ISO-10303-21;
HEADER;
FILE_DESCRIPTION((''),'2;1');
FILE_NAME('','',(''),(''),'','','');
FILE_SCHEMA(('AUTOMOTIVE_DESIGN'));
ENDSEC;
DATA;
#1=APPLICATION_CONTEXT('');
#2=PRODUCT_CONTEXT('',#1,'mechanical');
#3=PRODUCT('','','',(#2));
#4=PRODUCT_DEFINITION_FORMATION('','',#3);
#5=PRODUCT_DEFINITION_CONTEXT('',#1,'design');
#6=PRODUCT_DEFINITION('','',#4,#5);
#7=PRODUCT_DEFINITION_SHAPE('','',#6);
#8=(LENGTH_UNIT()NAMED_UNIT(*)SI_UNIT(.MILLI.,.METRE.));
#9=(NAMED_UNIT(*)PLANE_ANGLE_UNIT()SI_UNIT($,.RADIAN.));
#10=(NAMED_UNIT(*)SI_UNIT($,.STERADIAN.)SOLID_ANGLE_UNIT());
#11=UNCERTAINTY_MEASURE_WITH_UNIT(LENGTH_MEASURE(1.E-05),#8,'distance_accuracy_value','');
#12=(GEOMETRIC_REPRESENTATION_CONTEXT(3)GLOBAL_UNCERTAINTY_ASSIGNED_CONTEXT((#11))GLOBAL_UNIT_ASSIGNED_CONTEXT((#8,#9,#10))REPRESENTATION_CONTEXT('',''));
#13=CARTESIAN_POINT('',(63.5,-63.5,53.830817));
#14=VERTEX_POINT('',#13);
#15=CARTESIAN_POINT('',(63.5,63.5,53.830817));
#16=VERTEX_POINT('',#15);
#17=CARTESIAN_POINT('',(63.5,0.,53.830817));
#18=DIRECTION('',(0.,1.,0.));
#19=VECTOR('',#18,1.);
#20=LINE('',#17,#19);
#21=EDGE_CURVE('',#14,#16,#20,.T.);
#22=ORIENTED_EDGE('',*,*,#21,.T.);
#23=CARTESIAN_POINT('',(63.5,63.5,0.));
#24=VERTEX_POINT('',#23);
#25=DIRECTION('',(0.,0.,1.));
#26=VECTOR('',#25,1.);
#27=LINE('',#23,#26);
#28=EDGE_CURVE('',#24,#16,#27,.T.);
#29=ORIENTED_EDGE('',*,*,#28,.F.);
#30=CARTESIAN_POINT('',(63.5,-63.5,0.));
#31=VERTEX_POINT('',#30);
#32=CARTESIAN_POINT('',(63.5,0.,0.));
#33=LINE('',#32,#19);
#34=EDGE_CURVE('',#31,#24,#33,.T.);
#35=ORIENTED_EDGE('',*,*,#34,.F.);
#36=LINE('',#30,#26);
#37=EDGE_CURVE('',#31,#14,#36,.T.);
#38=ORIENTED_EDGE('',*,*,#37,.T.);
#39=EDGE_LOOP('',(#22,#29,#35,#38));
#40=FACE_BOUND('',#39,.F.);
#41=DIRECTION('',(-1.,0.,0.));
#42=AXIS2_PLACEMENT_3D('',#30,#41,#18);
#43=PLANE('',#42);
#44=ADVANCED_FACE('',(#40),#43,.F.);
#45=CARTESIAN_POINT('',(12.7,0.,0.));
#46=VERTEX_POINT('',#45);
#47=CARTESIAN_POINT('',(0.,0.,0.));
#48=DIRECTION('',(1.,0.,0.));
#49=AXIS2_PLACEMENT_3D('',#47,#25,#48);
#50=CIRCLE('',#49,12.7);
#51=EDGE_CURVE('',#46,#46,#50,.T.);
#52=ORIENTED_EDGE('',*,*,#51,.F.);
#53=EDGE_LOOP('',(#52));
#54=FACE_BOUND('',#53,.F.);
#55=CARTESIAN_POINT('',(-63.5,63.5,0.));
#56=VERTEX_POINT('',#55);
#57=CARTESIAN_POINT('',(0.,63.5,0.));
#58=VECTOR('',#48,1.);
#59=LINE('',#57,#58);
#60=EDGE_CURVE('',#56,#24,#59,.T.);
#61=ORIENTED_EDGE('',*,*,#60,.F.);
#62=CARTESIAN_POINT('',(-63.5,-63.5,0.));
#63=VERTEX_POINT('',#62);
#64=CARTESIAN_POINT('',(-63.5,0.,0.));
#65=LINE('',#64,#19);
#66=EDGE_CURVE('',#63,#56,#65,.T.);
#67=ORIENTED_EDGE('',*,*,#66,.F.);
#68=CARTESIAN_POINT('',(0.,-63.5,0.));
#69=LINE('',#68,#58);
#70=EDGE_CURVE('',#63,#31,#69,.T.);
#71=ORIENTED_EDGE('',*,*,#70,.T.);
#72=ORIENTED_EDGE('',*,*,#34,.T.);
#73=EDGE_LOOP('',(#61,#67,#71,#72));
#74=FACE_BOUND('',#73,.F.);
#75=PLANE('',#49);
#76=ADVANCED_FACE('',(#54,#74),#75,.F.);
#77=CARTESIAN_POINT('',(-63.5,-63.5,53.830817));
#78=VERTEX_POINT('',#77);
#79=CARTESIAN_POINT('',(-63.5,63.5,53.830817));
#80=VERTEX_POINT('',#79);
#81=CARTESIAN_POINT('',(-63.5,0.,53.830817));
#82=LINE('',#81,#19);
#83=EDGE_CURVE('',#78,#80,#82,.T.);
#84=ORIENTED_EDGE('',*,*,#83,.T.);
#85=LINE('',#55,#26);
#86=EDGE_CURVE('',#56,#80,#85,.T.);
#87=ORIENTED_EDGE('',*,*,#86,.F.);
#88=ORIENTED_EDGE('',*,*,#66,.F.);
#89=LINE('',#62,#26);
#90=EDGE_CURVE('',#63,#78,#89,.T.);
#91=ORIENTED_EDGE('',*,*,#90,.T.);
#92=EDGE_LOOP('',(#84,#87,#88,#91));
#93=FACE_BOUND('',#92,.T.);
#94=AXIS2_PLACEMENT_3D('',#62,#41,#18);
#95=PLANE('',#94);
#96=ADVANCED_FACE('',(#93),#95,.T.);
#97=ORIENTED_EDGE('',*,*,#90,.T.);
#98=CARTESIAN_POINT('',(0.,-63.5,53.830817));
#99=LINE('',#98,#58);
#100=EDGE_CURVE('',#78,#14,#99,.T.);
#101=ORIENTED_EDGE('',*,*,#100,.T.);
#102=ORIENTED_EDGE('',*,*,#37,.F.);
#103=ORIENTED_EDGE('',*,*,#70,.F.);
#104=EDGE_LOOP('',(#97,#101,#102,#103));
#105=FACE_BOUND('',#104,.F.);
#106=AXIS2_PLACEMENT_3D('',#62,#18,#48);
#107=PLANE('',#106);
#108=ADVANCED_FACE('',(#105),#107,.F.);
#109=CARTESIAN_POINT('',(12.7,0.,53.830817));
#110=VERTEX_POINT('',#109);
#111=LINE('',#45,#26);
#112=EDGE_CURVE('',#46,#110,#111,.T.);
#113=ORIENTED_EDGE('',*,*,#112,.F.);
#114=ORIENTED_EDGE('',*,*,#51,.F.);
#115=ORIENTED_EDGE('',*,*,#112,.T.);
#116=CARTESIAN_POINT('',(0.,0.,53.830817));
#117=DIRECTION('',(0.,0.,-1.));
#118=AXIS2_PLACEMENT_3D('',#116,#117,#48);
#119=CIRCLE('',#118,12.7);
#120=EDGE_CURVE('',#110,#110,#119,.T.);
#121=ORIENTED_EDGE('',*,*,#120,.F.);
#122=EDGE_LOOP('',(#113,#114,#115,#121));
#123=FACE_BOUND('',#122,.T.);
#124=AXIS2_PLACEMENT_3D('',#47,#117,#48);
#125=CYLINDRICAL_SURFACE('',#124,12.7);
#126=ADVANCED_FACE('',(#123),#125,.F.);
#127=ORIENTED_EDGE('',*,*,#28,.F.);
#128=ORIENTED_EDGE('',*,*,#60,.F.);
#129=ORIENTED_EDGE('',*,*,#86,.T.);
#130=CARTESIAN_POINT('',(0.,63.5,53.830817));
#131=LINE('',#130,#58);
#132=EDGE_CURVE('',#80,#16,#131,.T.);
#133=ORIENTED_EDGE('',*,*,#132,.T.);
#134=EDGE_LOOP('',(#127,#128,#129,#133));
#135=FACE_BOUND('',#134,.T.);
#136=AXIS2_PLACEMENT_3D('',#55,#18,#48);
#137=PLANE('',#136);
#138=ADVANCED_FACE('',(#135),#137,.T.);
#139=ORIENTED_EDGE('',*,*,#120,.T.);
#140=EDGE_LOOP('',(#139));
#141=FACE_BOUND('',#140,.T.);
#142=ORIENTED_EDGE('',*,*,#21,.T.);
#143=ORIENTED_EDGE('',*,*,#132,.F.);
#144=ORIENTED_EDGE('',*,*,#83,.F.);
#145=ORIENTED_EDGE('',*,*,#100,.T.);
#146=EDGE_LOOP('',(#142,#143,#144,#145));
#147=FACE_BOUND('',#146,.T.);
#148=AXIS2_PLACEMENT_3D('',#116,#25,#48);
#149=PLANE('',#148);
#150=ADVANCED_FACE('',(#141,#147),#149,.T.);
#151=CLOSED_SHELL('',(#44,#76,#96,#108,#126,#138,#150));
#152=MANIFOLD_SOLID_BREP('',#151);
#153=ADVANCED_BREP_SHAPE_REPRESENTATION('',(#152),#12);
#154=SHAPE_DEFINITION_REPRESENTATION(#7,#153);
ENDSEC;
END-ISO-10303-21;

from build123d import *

# Parameters (mm, degrees)
F0_R     = 12.7
F1_DEPTH = 152.4
F2_W     = 127
F2_H     = 127
F3_DEPTH = 53.830817


with BuildPart() as f1:
    # F0 (on Top) → F1 (new body)
    with BuildSketch(Plane.XY):
        Circle(F0_R)
    extrude(amount=F1_DEPTH)


with BuildPart() as f3:
    # F2 (on Top) → F3 (new body)
    with BuildSketch(Plane.XY):
        Rectangle(F2_W, F2_H)
    extrude(amount=F3_DEPTH)

    # F4: cut F1
    add(f1.part, mode=Mode.SUBTRACT)


solid = f3.part
